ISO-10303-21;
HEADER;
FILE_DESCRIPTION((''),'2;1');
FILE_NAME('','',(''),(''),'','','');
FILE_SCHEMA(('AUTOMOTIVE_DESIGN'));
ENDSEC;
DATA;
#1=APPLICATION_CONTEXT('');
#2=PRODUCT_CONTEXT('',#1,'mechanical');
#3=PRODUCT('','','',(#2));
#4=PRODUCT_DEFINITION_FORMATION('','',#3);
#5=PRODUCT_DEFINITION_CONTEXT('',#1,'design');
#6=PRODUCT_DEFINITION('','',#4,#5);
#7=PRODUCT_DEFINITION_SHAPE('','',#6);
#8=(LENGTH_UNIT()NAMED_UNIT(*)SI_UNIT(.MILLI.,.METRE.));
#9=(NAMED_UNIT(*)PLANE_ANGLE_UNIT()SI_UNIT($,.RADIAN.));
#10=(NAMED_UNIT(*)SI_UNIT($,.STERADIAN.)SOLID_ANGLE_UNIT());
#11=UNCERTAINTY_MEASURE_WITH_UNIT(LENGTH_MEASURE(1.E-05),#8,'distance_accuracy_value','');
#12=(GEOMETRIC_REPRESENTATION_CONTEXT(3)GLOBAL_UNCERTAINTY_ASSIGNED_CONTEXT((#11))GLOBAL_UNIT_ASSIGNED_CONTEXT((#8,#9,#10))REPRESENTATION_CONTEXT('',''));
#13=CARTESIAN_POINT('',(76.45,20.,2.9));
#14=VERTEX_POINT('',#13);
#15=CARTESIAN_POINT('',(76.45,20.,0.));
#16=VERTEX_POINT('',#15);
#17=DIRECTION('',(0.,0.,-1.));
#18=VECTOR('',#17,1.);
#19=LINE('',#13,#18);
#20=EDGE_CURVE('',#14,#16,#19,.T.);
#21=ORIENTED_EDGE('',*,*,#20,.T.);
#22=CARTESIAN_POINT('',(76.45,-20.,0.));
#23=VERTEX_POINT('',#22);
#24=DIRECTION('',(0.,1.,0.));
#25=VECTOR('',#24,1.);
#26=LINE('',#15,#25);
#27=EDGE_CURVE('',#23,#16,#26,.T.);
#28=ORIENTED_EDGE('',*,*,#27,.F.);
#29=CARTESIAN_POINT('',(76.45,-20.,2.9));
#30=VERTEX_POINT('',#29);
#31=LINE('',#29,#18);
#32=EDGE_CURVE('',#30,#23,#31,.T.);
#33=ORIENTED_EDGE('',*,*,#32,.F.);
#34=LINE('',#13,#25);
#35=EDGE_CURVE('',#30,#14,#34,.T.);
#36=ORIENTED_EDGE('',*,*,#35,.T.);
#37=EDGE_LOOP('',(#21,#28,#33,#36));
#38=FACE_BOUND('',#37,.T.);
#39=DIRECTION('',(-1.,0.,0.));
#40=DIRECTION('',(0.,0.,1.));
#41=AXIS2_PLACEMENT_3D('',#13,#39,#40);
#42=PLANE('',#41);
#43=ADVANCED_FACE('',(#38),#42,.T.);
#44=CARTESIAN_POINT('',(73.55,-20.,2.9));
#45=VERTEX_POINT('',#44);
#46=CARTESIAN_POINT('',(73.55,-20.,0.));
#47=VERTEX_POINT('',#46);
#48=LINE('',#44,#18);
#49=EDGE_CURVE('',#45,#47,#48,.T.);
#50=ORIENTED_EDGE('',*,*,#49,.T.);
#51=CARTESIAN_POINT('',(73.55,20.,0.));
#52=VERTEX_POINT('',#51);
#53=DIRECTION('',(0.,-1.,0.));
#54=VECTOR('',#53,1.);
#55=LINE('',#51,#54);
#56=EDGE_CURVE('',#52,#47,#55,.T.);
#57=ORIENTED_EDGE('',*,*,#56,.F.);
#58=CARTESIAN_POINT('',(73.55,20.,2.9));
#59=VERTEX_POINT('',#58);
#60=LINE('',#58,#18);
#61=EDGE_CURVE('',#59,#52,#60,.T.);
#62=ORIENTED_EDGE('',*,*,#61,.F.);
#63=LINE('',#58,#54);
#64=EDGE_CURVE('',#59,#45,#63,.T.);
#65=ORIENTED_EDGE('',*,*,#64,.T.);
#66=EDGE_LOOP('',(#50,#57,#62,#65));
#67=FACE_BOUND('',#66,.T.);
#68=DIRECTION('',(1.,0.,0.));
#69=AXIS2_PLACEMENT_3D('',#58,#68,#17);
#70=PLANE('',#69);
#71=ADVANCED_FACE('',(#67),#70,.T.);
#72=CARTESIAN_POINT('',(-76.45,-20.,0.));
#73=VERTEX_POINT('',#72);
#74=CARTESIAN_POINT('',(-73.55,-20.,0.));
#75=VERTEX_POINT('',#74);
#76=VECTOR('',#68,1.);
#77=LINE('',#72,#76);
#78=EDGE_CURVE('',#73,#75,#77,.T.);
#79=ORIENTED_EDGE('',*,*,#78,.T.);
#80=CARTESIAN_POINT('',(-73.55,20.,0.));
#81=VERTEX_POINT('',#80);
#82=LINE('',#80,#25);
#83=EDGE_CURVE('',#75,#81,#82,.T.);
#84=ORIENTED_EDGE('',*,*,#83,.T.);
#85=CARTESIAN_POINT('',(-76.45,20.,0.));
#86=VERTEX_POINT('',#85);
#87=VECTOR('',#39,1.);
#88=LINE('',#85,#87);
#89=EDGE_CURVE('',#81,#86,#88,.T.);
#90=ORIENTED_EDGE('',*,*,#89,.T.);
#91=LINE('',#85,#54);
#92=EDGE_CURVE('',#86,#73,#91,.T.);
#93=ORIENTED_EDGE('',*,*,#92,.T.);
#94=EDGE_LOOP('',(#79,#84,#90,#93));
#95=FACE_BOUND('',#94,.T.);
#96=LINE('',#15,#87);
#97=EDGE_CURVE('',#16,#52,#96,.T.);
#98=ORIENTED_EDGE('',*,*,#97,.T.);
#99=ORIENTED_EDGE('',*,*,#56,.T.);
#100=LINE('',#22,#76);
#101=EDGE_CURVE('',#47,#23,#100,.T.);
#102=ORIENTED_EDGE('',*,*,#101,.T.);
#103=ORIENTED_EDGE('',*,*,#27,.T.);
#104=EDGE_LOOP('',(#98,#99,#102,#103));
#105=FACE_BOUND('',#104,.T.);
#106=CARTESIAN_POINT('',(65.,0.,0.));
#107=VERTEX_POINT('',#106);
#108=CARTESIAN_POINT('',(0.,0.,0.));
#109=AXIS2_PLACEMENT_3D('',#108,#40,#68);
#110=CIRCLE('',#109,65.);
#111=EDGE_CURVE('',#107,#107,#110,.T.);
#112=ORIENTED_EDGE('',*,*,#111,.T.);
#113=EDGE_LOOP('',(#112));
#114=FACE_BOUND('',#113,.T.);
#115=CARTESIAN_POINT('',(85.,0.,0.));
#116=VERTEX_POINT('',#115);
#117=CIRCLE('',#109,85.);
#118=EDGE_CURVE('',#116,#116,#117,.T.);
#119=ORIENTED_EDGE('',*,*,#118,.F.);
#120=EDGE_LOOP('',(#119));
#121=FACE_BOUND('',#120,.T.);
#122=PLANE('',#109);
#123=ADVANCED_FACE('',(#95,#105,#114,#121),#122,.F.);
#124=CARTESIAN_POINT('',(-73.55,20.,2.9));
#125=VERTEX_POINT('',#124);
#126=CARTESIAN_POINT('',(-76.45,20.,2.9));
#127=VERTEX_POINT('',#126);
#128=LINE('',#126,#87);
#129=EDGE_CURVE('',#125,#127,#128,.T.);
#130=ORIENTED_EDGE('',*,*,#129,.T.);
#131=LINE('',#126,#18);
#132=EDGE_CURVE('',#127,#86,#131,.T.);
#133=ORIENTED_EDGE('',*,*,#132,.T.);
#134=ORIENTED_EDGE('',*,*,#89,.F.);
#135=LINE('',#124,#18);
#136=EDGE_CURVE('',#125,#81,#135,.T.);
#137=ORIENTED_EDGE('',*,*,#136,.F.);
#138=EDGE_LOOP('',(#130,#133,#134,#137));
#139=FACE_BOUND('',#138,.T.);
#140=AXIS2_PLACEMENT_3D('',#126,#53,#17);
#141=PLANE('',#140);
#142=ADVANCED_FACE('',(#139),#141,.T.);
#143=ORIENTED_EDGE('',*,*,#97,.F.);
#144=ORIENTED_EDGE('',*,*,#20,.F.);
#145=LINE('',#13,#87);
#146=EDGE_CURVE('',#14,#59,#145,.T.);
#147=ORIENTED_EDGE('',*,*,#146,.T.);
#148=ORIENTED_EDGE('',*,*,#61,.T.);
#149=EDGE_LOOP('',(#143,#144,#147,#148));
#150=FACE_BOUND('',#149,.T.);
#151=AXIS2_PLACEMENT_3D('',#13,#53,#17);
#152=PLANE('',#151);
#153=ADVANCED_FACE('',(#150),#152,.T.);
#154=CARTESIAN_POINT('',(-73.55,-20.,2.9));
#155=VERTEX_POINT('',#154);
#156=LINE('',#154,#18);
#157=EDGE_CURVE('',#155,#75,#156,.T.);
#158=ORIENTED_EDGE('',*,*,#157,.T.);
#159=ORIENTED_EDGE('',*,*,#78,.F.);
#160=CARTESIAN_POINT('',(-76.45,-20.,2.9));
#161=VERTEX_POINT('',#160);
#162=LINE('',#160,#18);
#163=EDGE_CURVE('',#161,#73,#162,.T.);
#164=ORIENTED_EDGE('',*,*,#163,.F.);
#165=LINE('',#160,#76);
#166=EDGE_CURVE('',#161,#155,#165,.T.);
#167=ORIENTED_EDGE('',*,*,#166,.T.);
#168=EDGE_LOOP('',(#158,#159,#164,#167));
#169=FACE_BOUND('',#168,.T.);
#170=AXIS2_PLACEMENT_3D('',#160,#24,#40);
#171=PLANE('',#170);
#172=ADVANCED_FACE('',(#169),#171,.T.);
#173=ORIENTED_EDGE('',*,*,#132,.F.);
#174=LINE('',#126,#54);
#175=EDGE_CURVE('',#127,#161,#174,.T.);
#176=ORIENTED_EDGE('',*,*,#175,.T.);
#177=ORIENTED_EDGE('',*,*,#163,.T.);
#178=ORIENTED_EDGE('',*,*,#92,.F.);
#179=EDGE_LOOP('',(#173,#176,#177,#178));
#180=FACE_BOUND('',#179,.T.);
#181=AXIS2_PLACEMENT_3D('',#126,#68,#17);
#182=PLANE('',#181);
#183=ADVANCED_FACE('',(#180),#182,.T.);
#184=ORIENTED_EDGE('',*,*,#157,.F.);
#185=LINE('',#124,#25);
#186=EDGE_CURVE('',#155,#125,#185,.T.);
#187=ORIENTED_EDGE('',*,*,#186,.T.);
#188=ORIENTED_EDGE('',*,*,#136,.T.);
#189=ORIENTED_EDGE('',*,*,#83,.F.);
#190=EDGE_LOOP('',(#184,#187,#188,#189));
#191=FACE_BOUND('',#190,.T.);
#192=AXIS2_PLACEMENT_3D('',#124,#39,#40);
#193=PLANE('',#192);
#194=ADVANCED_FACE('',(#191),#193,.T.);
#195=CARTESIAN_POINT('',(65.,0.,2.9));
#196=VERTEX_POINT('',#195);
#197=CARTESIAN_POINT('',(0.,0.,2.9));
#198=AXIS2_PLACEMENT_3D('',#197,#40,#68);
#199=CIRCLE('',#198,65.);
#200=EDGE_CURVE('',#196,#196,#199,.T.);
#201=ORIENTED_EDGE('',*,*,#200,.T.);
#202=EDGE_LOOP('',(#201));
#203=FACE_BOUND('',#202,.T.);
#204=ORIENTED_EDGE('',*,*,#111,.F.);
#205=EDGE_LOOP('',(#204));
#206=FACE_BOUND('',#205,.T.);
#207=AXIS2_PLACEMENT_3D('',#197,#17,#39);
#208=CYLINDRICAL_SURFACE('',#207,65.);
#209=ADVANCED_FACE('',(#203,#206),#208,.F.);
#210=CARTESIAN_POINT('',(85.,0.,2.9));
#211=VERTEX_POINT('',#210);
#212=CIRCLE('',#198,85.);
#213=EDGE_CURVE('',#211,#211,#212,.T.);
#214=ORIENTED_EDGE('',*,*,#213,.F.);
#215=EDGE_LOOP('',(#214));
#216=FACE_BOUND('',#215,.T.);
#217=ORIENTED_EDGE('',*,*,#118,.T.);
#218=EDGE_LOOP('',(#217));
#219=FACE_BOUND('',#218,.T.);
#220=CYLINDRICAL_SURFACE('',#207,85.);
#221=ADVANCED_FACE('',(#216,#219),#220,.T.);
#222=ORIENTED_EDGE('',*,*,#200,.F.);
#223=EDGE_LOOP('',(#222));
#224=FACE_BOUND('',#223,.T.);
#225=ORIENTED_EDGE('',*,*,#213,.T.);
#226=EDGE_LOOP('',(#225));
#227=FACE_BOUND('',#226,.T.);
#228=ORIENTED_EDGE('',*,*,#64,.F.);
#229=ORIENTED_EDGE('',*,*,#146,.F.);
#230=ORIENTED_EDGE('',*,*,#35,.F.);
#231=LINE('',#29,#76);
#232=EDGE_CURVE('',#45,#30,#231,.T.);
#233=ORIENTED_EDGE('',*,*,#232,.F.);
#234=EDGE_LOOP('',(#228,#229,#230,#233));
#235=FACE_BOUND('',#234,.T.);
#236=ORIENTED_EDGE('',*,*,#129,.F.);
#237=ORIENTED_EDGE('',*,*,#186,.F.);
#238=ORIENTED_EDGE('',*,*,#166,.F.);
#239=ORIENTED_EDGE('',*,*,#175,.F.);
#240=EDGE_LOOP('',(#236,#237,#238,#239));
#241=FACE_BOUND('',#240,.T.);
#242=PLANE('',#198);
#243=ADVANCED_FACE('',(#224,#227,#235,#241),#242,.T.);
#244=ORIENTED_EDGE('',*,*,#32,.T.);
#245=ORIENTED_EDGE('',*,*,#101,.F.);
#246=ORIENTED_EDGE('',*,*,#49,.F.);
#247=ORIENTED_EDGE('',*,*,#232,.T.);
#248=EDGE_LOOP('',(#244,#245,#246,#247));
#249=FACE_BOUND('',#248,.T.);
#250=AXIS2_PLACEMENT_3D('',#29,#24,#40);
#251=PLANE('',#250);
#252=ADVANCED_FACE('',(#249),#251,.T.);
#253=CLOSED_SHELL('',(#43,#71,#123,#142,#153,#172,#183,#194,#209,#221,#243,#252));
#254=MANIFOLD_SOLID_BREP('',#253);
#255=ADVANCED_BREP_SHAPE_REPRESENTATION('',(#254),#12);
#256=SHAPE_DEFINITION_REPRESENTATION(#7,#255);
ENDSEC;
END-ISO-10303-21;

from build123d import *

# Parameters (mm, degrees)
SKETCH1_R           = 85
SKETCH1_R_2         = 65
SKETCH1_W           = 2.9
SKETCH1_H           = 40
BOSS_EXTRUDE1_DEPTH = 2.9


with BuildPart() as part:
    # Sketch1 → Boss-Extrude1 (new body)
    with BuildSketch(Plane.XY):
        Circle(SKETCH1_R)
        Circle(SKETCH1_R_2, mode=Mode.SUBTRACT)
        with Locations((-75, 0)):
            Rectangle(SKETCH1_W, SKETCH1_H, mode=Mode.SUBTRACT)
        with Locations((75, 0)):
            Rectangle(SKETCH1_W, SKETCH1_H, mode=Mode.SUBTRACT)
    extrude(amount=BOSS_EXTRUDE1_DEPTH)


solid = part.part
